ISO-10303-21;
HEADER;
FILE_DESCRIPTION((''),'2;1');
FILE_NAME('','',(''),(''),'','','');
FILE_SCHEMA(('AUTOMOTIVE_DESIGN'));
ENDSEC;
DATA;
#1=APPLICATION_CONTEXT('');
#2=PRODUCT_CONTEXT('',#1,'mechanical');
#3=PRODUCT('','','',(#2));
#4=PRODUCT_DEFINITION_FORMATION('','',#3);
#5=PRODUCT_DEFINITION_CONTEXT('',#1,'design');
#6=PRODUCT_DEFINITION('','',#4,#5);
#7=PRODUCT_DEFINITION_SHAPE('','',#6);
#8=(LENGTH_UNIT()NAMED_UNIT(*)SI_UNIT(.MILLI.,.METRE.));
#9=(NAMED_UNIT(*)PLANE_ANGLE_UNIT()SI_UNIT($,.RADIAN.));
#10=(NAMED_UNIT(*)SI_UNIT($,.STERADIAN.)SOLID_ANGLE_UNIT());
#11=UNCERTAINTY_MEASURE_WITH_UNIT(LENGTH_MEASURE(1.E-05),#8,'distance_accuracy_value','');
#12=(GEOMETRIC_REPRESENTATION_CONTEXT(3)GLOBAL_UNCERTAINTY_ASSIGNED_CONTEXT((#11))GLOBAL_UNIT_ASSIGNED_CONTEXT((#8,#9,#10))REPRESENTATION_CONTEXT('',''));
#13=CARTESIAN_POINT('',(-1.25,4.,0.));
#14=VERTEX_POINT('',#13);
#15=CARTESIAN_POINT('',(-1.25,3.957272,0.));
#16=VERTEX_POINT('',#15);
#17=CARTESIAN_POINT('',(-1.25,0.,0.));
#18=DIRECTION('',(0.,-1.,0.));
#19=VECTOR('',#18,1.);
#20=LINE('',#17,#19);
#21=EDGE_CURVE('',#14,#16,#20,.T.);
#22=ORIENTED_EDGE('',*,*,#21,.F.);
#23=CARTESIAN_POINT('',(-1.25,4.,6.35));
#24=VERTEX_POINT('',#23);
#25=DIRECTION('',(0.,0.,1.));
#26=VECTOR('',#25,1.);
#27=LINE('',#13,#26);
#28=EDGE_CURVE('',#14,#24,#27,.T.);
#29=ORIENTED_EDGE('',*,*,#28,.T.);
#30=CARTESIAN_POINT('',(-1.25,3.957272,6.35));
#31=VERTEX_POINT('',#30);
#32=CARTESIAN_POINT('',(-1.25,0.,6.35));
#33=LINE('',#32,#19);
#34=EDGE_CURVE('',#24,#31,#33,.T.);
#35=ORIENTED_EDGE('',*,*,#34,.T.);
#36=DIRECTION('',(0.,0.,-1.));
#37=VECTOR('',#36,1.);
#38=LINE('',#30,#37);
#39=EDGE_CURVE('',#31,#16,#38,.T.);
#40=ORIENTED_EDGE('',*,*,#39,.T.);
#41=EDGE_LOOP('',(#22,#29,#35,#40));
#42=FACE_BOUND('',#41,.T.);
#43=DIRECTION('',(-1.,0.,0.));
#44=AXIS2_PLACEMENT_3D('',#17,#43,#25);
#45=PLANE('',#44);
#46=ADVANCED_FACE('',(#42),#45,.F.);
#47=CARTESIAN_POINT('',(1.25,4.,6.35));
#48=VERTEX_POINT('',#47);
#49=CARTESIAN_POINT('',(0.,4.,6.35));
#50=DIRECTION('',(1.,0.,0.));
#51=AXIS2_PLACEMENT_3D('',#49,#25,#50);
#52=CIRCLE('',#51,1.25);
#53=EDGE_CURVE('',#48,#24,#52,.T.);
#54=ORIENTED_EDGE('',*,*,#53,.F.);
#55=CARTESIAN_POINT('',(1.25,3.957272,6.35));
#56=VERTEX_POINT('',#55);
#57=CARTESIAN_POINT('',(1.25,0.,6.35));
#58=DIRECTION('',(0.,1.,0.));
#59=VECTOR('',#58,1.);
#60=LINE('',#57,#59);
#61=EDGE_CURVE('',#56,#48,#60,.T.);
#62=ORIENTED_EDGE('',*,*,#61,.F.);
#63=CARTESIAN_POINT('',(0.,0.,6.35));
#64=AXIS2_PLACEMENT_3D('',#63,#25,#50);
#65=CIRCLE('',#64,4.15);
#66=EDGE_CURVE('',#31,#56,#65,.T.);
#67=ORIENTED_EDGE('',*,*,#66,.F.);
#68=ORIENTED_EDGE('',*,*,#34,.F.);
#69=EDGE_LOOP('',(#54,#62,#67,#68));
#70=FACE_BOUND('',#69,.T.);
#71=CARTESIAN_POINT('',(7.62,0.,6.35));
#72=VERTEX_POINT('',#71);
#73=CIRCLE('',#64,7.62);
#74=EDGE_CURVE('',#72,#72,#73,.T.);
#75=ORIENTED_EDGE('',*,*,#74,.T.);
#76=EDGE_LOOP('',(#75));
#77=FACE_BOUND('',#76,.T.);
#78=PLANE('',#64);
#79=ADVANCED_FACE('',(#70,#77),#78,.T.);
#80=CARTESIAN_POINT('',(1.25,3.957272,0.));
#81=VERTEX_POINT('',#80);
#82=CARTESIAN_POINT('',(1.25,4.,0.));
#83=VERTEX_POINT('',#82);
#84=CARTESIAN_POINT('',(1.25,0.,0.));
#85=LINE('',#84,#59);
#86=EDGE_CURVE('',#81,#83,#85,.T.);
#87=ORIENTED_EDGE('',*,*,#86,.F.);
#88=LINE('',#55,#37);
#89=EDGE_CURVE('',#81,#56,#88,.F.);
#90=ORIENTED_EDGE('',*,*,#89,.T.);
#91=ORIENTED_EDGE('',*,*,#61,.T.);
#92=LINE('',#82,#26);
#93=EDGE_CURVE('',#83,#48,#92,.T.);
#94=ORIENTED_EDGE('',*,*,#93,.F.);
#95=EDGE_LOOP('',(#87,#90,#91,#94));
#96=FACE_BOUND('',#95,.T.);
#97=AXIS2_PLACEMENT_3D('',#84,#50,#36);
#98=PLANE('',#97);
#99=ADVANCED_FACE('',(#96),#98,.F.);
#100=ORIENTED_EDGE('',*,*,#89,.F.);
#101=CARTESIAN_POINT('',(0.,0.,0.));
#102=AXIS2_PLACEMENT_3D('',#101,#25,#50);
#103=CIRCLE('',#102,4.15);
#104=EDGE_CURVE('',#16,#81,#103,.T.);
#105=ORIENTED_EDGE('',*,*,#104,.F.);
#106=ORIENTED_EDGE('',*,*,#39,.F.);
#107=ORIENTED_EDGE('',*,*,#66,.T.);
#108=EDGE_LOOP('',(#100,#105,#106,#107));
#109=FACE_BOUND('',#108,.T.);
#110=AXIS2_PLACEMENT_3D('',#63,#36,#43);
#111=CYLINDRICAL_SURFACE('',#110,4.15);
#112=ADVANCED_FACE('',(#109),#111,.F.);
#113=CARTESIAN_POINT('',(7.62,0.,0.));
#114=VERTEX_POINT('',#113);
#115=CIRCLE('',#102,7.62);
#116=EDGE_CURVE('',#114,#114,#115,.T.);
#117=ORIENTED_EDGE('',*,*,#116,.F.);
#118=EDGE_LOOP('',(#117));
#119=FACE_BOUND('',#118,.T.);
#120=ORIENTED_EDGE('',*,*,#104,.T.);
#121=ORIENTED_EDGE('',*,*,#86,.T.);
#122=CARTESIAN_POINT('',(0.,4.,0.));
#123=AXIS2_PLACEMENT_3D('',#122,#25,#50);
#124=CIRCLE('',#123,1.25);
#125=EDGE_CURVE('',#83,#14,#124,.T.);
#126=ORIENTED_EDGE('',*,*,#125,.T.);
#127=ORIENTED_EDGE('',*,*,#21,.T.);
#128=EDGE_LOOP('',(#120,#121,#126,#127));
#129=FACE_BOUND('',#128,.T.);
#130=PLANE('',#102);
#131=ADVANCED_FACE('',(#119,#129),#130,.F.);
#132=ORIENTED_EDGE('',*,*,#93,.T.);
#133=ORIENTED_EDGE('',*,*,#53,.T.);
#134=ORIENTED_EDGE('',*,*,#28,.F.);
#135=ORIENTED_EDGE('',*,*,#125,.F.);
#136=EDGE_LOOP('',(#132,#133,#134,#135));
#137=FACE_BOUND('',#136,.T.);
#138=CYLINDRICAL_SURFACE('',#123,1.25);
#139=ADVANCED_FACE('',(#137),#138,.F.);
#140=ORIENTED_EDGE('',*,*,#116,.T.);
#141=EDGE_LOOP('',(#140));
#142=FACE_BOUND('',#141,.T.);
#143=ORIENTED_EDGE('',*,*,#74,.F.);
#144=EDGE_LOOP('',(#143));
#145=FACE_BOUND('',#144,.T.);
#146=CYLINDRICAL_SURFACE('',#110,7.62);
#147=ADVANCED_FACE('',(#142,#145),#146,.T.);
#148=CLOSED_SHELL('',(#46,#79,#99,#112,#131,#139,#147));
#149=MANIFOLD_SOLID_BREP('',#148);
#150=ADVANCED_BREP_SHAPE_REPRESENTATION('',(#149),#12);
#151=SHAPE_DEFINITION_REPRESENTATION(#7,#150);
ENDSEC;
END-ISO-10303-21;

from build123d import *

# Parameters (mm, degrees)
CROQUIS1_R              = 7.62
CROQUIS1_R_2            = 4.15
SALIENTE_EXTRUIR1_DEPTH = 6.35
CORTAR_EXTRUIR1_DEPTH   = 13.508049408


with BuildPart() as part:
    # Croquis1 → Saliente-Extruir1 (new body)
    with BuildSketch(Plane.XY):
        Circle(CROQUIS1_R)
        Circle(CROQUIS1_R_2, mode=Mode.SUBTRACT)
    extrude(amount=SALIENTE_EXTRUIR1_DEPTH)

    # Croquis2 → Cortar-Extruir1 (cut, through all)
    with BuildSketch(Plane.XY.offset(6.35)):
        with BuildLine():
            Line((-1.25, 0), (-1.25, 4))
            ThreePointArc((-1.25, 4), (0, 5.25), (1.25, 4))
            Line((1.25, 4), (1.25, 0))
            ThreePointArc((1.25, 0), (0, -1.25), (-1.25, 0))
        make_face()
    extrude(amount=-CORTAR_EXTRUIR1_DEPTH, mode=Mode.SUBTRACT)


solid = part.part
